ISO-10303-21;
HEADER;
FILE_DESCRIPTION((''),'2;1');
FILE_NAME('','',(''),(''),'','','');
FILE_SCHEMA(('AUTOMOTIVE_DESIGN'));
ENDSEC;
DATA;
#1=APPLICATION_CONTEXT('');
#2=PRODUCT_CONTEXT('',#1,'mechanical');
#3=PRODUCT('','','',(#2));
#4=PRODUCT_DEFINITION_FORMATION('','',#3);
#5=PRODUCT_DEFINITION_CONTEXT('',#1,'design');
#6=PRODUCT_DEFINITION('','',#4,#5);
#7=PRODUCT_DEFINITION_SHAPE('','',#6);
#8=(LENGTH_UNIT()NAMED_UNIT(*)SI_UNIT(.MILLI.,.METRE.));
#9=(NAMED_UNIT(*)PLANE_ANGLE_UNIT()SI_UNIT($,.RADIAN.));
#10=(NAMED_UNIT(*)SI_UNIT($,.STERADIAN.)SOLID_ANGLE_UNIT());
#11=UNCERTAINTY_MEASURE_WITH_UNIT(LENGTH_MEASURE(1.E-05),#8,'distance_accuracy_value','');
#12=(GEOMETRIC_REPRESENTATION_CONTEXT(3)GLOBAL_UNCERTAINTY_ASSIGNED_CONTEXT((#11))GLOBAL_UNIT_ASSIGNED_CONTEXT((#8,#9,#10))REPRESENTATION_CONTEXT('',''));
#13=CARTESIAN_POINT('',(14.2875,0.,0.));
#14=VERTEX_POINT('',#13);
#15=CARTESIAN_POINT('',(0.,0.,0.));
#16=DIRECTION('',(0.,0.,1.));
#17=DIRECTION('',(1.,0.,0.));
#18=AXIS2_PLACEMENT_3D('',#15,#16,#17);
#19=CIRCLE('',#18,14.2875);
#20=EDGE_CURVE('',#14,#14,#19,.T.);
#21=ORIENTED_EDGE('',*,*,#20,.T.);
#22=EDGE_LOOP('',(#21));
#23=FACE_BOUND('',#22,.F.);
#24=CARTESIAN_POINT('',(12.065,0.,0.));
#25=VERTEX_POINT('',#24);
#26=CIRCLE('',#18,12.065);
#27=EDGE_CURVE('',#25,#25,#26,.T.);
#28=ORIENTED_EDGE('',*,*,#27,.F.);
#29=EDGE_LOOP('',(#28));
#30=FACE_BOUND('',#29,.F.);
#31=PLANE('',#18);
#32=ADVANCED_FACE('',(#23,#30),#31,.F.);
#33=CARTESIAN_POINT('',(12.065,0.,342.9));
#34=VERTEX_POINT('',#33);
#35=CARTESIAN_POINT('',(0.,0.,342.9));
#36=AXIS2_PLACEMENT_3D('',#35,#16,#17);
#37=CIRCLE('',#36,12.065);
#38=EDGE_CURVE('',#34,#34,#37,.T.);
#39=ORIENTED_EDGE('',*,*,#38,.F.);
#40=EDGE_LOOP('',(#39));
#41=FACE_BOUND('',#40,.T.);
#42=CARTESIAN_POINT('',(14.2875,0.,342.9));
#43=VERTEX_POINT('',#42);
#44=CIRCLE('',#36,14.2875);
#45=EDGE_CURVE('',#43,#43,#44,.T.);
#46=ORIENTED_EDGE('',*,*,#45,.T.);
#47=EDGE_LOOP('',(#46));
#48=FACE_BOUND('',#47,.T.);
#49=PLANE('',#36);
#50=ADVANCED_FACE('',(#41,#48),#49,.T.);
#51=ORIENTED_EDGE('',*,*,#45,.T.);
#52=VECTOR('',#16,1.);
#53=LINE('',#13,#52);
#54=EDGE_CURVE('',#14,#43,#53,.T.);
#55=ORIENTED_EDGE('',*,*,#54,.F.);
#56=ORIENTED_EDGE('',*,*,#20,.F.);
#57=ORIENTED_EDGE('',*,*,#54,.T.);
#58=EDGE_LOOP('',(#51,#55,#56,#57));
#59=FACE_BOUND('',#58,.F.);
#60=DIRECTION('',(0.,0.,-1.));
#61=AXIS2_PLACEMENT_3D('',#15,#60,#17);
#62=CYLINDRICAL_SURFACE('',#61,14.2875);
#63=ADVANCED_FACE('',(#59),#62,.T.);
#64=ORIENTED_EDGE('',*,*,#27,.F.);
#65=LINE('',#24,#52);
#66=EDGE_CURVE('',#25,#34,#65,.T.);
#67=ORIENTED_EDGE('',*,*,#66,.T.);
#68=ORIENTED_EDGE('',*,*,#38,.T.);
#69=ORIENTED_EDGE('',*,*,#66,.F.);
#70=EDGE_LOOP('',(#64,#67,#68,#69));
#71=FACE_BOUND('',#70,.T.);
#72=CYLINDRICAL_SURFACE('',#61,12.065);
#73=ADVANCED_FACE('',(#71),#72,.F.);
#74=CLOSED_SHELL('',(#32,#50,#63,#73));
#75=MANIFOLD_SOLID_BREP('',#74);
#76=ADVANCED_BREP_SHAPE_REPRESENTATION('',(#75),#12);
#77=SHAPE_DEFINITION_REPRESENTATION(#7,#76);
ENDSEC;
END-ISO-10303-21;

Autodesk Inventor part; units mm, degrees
ref_plane "YZ Plane" through (0, 0, 0) normal (1, 0, 0) x (0, 1, 0)
ref_plane "XZ Plane" through (0, 0, 0) normal (0, 1, 0) x (-1, 0, 0)
ref_plane "XY Plane" through (0, 0, 0) normal (0, 0, 1) x (1, 0, 0)
sketch "Sketch1" plane through (0, 0, 0) normal (0, 0, 1) x (1, 0, 0)
  circle A0 centre (0, 0) radius 14.2875
  circle A1 centre (0, 0) radius 12.065
  dimension "d0" = 28.575
  dimension "d1" = 24.13
extrude "Extrusion1" add sketch "Sketch1" along normal blind 342.9
properties part number "Small Air Piston Base 1764"
